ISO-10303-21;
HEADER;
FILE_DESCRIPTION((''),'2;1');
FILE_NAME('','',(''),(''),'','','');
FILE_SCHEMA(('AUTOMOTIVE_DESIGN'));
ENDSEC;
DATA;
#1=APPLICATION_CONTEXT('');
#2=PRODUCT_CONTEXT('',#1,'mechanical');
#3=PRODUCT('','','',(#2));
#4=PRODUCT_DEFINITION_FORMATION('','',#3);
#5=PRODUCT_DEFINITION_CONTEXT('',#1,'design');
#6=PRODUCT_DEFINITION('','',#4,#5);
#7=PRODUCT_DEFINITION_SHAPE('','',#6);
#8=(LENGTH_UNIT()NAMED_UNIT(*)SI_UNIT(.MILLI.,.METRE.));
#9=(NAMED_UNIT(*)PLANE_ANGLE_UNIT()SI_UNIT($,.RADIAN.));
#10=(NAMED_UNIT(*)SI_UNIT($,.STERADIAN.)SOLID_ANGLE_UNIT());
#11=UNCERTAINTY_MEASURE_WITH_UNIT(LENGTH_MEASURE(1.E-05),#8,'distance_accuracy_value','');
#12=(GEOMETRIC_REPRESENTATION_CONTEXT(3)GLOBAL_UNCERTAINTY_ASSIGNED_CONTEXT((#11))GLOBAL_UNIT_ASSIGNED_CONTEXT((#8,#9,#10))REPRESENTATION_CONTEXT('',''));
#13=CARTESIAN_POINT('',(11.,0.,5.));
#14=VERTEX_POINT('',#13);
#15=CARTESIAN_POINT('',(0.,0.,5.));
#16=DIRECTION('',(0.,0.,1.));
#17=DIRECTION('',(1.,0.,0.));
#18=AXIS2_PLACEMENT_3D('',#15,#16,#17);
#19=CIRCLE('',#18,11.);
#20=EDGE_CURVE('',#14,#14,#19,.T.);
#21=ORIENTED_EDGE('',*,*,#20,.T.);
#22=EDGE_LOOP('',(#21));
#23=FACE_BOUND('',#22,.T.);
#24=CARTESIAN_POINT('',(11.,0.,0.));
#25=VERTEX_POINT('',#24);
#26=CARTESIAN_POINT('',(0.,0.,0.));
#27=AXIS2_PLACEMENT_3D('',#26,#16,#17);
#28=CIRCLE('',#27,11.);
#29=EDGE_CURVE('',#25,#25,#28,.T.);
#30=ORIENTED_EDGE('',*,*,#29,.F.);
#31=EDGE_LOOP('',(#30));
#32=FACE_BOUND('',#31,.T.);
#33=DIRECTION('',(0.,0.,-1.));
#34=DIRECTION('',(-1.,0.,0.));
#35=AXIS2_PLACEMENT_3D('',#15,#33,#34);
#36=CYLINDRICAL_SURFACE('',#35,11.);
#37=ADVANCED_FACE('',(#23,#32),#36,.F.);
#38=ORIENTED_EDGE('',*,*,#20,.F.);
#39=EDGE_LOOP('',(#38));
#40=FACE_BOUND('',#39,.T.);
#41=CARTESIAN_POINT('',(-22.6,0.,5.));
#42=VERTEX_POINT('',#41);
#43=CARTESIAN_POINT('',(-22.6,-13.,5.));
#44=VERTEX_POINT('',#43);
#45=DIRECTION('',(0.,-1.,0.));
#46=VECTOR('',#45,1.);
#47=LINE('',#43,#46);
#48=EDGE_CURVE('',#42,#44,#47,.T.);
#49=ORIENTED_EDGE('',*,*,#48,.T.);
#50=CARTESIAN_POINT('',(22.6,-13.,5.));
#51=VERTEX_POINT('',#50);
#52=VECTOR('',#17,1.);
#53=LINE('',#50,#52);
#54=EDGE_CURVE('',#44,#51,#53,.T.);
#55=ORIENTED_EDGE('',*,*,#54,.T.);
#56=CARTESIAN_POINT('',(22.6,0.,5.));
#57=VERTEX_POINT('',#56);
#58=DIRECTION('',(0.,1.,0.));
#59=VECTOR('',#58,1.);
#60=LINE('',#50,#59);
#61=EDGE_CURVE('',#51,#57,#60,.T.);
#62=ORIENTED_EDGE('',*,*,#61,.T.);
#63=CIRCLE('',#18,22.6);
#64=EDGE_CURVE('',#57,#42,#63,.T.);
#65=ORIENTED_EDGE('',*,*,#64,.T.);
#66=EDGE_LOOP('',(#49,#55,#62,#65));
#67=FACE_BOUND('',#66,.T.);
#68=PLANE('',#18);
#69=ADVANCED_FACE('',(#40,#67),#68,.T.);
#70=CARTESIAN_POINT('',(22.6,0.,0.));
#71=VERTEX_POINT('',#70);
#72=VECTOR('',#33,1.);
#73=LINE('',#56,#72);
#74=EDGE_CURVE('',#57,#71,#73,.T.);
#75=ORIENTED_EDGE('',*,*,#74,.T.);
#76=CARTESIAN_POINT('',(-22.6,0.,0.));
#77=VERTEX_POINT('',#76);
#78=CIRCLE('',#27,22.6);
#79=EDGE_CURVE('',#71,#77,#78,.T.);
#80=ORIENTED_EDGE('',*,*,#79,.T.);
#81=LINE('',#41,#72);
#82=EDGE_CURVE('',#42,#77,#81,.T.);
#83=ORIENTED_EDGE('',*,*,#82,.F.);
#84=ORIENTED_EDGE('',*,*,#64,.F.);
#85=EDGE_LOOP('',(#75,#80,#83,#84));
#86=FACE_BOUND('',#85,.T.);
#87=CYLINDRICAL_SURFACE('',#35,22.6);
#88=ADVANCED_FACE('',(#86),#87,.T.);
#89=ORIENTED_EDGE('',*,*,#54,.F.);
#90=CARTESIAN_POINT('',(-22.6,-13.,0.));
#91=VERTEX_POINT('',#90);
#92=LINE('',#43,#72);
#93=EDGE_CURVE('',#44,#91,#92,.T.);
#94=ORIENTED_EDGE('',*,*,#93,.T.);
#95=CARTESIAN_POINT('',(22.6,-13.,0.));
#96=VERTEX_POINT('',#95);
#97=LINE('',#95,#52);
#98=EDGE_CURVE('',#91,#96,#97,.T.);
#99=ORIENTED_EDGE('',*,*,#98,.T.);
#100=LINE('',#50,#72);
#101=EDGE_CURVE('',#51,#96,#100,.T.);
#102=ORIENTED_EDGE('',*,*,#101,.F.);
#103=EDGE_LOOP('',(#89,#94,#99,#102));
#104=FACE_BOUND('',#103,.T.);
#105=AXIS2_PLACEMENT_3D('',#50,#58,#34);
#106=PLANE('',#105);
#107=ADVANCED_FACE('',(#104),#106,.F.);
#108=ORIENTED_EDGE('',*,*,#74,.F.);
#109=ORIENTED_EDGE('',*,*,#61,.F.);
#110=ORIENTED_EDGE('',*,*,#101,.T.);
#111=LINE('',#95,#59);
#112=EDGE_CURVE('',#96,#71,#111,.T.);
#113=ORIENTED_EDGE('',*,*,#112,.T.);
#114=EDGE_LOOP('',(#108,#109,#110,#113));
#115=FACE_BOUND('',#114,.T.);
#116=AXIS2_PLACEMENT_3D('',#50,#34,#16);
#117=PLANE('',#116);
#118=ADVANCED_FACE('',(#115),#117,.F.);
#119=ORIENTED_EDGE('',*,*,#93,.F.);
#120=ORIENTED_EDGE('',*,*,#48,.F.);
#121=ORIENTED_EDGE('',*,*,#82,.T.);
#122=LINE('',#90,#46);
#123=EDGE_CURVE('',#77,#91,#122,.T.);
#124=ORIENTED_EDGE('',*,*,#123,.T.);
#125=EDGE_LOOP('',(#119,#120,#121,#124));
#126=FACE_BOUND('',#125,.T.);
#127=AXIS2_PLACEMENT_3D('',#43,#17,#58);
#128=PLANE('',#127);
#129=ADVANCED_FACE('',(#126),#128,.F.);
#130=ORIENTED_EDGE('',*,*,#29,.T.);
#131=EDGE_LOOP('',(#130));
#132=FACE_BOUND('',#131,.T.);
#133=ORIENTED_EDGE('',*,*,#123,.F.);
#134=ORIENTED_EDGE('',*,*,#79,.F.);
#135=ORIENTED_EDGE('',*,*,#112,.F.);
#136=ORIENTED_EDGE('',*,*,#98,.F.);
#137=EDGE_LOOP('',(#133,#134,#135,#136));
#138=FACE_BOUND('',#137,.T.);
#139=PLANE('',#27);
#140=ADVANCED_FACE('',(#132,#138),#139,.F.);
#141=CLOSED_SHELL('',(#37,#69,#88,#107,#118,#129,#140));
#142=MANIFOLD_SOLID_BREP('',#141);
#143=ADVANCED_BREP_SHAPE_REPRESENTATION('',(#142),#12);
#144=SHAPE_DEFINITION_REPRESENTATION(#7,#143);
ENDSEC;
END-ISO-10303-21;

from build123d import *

# Parameters (mm, degrees)
SKETCH1_R           = 11
BOSS_EXTRUDE1_DEPTH = 5


with BuildPart() as part:
    # Sketch1 → Boss-Extrude1 (new body)
    with BuildSketch(Plane.XY):
        with BuildLine():
            Line((22.6, -13), (-22.6, -13))
            Line((-22.6, -13), (-22.6, 0))
            ThreePointArc((-22.6, 0), (0, 22.6), (22.6, 0))
            Line((22.6, 0), (22.6, -13))
        make_face()
        Circle(SKETCH1_R, mode=Mode.SUBTRACT)
    extrude(amount=BOSS_EXTRUDE1_DEPTH)


solid = part.part
